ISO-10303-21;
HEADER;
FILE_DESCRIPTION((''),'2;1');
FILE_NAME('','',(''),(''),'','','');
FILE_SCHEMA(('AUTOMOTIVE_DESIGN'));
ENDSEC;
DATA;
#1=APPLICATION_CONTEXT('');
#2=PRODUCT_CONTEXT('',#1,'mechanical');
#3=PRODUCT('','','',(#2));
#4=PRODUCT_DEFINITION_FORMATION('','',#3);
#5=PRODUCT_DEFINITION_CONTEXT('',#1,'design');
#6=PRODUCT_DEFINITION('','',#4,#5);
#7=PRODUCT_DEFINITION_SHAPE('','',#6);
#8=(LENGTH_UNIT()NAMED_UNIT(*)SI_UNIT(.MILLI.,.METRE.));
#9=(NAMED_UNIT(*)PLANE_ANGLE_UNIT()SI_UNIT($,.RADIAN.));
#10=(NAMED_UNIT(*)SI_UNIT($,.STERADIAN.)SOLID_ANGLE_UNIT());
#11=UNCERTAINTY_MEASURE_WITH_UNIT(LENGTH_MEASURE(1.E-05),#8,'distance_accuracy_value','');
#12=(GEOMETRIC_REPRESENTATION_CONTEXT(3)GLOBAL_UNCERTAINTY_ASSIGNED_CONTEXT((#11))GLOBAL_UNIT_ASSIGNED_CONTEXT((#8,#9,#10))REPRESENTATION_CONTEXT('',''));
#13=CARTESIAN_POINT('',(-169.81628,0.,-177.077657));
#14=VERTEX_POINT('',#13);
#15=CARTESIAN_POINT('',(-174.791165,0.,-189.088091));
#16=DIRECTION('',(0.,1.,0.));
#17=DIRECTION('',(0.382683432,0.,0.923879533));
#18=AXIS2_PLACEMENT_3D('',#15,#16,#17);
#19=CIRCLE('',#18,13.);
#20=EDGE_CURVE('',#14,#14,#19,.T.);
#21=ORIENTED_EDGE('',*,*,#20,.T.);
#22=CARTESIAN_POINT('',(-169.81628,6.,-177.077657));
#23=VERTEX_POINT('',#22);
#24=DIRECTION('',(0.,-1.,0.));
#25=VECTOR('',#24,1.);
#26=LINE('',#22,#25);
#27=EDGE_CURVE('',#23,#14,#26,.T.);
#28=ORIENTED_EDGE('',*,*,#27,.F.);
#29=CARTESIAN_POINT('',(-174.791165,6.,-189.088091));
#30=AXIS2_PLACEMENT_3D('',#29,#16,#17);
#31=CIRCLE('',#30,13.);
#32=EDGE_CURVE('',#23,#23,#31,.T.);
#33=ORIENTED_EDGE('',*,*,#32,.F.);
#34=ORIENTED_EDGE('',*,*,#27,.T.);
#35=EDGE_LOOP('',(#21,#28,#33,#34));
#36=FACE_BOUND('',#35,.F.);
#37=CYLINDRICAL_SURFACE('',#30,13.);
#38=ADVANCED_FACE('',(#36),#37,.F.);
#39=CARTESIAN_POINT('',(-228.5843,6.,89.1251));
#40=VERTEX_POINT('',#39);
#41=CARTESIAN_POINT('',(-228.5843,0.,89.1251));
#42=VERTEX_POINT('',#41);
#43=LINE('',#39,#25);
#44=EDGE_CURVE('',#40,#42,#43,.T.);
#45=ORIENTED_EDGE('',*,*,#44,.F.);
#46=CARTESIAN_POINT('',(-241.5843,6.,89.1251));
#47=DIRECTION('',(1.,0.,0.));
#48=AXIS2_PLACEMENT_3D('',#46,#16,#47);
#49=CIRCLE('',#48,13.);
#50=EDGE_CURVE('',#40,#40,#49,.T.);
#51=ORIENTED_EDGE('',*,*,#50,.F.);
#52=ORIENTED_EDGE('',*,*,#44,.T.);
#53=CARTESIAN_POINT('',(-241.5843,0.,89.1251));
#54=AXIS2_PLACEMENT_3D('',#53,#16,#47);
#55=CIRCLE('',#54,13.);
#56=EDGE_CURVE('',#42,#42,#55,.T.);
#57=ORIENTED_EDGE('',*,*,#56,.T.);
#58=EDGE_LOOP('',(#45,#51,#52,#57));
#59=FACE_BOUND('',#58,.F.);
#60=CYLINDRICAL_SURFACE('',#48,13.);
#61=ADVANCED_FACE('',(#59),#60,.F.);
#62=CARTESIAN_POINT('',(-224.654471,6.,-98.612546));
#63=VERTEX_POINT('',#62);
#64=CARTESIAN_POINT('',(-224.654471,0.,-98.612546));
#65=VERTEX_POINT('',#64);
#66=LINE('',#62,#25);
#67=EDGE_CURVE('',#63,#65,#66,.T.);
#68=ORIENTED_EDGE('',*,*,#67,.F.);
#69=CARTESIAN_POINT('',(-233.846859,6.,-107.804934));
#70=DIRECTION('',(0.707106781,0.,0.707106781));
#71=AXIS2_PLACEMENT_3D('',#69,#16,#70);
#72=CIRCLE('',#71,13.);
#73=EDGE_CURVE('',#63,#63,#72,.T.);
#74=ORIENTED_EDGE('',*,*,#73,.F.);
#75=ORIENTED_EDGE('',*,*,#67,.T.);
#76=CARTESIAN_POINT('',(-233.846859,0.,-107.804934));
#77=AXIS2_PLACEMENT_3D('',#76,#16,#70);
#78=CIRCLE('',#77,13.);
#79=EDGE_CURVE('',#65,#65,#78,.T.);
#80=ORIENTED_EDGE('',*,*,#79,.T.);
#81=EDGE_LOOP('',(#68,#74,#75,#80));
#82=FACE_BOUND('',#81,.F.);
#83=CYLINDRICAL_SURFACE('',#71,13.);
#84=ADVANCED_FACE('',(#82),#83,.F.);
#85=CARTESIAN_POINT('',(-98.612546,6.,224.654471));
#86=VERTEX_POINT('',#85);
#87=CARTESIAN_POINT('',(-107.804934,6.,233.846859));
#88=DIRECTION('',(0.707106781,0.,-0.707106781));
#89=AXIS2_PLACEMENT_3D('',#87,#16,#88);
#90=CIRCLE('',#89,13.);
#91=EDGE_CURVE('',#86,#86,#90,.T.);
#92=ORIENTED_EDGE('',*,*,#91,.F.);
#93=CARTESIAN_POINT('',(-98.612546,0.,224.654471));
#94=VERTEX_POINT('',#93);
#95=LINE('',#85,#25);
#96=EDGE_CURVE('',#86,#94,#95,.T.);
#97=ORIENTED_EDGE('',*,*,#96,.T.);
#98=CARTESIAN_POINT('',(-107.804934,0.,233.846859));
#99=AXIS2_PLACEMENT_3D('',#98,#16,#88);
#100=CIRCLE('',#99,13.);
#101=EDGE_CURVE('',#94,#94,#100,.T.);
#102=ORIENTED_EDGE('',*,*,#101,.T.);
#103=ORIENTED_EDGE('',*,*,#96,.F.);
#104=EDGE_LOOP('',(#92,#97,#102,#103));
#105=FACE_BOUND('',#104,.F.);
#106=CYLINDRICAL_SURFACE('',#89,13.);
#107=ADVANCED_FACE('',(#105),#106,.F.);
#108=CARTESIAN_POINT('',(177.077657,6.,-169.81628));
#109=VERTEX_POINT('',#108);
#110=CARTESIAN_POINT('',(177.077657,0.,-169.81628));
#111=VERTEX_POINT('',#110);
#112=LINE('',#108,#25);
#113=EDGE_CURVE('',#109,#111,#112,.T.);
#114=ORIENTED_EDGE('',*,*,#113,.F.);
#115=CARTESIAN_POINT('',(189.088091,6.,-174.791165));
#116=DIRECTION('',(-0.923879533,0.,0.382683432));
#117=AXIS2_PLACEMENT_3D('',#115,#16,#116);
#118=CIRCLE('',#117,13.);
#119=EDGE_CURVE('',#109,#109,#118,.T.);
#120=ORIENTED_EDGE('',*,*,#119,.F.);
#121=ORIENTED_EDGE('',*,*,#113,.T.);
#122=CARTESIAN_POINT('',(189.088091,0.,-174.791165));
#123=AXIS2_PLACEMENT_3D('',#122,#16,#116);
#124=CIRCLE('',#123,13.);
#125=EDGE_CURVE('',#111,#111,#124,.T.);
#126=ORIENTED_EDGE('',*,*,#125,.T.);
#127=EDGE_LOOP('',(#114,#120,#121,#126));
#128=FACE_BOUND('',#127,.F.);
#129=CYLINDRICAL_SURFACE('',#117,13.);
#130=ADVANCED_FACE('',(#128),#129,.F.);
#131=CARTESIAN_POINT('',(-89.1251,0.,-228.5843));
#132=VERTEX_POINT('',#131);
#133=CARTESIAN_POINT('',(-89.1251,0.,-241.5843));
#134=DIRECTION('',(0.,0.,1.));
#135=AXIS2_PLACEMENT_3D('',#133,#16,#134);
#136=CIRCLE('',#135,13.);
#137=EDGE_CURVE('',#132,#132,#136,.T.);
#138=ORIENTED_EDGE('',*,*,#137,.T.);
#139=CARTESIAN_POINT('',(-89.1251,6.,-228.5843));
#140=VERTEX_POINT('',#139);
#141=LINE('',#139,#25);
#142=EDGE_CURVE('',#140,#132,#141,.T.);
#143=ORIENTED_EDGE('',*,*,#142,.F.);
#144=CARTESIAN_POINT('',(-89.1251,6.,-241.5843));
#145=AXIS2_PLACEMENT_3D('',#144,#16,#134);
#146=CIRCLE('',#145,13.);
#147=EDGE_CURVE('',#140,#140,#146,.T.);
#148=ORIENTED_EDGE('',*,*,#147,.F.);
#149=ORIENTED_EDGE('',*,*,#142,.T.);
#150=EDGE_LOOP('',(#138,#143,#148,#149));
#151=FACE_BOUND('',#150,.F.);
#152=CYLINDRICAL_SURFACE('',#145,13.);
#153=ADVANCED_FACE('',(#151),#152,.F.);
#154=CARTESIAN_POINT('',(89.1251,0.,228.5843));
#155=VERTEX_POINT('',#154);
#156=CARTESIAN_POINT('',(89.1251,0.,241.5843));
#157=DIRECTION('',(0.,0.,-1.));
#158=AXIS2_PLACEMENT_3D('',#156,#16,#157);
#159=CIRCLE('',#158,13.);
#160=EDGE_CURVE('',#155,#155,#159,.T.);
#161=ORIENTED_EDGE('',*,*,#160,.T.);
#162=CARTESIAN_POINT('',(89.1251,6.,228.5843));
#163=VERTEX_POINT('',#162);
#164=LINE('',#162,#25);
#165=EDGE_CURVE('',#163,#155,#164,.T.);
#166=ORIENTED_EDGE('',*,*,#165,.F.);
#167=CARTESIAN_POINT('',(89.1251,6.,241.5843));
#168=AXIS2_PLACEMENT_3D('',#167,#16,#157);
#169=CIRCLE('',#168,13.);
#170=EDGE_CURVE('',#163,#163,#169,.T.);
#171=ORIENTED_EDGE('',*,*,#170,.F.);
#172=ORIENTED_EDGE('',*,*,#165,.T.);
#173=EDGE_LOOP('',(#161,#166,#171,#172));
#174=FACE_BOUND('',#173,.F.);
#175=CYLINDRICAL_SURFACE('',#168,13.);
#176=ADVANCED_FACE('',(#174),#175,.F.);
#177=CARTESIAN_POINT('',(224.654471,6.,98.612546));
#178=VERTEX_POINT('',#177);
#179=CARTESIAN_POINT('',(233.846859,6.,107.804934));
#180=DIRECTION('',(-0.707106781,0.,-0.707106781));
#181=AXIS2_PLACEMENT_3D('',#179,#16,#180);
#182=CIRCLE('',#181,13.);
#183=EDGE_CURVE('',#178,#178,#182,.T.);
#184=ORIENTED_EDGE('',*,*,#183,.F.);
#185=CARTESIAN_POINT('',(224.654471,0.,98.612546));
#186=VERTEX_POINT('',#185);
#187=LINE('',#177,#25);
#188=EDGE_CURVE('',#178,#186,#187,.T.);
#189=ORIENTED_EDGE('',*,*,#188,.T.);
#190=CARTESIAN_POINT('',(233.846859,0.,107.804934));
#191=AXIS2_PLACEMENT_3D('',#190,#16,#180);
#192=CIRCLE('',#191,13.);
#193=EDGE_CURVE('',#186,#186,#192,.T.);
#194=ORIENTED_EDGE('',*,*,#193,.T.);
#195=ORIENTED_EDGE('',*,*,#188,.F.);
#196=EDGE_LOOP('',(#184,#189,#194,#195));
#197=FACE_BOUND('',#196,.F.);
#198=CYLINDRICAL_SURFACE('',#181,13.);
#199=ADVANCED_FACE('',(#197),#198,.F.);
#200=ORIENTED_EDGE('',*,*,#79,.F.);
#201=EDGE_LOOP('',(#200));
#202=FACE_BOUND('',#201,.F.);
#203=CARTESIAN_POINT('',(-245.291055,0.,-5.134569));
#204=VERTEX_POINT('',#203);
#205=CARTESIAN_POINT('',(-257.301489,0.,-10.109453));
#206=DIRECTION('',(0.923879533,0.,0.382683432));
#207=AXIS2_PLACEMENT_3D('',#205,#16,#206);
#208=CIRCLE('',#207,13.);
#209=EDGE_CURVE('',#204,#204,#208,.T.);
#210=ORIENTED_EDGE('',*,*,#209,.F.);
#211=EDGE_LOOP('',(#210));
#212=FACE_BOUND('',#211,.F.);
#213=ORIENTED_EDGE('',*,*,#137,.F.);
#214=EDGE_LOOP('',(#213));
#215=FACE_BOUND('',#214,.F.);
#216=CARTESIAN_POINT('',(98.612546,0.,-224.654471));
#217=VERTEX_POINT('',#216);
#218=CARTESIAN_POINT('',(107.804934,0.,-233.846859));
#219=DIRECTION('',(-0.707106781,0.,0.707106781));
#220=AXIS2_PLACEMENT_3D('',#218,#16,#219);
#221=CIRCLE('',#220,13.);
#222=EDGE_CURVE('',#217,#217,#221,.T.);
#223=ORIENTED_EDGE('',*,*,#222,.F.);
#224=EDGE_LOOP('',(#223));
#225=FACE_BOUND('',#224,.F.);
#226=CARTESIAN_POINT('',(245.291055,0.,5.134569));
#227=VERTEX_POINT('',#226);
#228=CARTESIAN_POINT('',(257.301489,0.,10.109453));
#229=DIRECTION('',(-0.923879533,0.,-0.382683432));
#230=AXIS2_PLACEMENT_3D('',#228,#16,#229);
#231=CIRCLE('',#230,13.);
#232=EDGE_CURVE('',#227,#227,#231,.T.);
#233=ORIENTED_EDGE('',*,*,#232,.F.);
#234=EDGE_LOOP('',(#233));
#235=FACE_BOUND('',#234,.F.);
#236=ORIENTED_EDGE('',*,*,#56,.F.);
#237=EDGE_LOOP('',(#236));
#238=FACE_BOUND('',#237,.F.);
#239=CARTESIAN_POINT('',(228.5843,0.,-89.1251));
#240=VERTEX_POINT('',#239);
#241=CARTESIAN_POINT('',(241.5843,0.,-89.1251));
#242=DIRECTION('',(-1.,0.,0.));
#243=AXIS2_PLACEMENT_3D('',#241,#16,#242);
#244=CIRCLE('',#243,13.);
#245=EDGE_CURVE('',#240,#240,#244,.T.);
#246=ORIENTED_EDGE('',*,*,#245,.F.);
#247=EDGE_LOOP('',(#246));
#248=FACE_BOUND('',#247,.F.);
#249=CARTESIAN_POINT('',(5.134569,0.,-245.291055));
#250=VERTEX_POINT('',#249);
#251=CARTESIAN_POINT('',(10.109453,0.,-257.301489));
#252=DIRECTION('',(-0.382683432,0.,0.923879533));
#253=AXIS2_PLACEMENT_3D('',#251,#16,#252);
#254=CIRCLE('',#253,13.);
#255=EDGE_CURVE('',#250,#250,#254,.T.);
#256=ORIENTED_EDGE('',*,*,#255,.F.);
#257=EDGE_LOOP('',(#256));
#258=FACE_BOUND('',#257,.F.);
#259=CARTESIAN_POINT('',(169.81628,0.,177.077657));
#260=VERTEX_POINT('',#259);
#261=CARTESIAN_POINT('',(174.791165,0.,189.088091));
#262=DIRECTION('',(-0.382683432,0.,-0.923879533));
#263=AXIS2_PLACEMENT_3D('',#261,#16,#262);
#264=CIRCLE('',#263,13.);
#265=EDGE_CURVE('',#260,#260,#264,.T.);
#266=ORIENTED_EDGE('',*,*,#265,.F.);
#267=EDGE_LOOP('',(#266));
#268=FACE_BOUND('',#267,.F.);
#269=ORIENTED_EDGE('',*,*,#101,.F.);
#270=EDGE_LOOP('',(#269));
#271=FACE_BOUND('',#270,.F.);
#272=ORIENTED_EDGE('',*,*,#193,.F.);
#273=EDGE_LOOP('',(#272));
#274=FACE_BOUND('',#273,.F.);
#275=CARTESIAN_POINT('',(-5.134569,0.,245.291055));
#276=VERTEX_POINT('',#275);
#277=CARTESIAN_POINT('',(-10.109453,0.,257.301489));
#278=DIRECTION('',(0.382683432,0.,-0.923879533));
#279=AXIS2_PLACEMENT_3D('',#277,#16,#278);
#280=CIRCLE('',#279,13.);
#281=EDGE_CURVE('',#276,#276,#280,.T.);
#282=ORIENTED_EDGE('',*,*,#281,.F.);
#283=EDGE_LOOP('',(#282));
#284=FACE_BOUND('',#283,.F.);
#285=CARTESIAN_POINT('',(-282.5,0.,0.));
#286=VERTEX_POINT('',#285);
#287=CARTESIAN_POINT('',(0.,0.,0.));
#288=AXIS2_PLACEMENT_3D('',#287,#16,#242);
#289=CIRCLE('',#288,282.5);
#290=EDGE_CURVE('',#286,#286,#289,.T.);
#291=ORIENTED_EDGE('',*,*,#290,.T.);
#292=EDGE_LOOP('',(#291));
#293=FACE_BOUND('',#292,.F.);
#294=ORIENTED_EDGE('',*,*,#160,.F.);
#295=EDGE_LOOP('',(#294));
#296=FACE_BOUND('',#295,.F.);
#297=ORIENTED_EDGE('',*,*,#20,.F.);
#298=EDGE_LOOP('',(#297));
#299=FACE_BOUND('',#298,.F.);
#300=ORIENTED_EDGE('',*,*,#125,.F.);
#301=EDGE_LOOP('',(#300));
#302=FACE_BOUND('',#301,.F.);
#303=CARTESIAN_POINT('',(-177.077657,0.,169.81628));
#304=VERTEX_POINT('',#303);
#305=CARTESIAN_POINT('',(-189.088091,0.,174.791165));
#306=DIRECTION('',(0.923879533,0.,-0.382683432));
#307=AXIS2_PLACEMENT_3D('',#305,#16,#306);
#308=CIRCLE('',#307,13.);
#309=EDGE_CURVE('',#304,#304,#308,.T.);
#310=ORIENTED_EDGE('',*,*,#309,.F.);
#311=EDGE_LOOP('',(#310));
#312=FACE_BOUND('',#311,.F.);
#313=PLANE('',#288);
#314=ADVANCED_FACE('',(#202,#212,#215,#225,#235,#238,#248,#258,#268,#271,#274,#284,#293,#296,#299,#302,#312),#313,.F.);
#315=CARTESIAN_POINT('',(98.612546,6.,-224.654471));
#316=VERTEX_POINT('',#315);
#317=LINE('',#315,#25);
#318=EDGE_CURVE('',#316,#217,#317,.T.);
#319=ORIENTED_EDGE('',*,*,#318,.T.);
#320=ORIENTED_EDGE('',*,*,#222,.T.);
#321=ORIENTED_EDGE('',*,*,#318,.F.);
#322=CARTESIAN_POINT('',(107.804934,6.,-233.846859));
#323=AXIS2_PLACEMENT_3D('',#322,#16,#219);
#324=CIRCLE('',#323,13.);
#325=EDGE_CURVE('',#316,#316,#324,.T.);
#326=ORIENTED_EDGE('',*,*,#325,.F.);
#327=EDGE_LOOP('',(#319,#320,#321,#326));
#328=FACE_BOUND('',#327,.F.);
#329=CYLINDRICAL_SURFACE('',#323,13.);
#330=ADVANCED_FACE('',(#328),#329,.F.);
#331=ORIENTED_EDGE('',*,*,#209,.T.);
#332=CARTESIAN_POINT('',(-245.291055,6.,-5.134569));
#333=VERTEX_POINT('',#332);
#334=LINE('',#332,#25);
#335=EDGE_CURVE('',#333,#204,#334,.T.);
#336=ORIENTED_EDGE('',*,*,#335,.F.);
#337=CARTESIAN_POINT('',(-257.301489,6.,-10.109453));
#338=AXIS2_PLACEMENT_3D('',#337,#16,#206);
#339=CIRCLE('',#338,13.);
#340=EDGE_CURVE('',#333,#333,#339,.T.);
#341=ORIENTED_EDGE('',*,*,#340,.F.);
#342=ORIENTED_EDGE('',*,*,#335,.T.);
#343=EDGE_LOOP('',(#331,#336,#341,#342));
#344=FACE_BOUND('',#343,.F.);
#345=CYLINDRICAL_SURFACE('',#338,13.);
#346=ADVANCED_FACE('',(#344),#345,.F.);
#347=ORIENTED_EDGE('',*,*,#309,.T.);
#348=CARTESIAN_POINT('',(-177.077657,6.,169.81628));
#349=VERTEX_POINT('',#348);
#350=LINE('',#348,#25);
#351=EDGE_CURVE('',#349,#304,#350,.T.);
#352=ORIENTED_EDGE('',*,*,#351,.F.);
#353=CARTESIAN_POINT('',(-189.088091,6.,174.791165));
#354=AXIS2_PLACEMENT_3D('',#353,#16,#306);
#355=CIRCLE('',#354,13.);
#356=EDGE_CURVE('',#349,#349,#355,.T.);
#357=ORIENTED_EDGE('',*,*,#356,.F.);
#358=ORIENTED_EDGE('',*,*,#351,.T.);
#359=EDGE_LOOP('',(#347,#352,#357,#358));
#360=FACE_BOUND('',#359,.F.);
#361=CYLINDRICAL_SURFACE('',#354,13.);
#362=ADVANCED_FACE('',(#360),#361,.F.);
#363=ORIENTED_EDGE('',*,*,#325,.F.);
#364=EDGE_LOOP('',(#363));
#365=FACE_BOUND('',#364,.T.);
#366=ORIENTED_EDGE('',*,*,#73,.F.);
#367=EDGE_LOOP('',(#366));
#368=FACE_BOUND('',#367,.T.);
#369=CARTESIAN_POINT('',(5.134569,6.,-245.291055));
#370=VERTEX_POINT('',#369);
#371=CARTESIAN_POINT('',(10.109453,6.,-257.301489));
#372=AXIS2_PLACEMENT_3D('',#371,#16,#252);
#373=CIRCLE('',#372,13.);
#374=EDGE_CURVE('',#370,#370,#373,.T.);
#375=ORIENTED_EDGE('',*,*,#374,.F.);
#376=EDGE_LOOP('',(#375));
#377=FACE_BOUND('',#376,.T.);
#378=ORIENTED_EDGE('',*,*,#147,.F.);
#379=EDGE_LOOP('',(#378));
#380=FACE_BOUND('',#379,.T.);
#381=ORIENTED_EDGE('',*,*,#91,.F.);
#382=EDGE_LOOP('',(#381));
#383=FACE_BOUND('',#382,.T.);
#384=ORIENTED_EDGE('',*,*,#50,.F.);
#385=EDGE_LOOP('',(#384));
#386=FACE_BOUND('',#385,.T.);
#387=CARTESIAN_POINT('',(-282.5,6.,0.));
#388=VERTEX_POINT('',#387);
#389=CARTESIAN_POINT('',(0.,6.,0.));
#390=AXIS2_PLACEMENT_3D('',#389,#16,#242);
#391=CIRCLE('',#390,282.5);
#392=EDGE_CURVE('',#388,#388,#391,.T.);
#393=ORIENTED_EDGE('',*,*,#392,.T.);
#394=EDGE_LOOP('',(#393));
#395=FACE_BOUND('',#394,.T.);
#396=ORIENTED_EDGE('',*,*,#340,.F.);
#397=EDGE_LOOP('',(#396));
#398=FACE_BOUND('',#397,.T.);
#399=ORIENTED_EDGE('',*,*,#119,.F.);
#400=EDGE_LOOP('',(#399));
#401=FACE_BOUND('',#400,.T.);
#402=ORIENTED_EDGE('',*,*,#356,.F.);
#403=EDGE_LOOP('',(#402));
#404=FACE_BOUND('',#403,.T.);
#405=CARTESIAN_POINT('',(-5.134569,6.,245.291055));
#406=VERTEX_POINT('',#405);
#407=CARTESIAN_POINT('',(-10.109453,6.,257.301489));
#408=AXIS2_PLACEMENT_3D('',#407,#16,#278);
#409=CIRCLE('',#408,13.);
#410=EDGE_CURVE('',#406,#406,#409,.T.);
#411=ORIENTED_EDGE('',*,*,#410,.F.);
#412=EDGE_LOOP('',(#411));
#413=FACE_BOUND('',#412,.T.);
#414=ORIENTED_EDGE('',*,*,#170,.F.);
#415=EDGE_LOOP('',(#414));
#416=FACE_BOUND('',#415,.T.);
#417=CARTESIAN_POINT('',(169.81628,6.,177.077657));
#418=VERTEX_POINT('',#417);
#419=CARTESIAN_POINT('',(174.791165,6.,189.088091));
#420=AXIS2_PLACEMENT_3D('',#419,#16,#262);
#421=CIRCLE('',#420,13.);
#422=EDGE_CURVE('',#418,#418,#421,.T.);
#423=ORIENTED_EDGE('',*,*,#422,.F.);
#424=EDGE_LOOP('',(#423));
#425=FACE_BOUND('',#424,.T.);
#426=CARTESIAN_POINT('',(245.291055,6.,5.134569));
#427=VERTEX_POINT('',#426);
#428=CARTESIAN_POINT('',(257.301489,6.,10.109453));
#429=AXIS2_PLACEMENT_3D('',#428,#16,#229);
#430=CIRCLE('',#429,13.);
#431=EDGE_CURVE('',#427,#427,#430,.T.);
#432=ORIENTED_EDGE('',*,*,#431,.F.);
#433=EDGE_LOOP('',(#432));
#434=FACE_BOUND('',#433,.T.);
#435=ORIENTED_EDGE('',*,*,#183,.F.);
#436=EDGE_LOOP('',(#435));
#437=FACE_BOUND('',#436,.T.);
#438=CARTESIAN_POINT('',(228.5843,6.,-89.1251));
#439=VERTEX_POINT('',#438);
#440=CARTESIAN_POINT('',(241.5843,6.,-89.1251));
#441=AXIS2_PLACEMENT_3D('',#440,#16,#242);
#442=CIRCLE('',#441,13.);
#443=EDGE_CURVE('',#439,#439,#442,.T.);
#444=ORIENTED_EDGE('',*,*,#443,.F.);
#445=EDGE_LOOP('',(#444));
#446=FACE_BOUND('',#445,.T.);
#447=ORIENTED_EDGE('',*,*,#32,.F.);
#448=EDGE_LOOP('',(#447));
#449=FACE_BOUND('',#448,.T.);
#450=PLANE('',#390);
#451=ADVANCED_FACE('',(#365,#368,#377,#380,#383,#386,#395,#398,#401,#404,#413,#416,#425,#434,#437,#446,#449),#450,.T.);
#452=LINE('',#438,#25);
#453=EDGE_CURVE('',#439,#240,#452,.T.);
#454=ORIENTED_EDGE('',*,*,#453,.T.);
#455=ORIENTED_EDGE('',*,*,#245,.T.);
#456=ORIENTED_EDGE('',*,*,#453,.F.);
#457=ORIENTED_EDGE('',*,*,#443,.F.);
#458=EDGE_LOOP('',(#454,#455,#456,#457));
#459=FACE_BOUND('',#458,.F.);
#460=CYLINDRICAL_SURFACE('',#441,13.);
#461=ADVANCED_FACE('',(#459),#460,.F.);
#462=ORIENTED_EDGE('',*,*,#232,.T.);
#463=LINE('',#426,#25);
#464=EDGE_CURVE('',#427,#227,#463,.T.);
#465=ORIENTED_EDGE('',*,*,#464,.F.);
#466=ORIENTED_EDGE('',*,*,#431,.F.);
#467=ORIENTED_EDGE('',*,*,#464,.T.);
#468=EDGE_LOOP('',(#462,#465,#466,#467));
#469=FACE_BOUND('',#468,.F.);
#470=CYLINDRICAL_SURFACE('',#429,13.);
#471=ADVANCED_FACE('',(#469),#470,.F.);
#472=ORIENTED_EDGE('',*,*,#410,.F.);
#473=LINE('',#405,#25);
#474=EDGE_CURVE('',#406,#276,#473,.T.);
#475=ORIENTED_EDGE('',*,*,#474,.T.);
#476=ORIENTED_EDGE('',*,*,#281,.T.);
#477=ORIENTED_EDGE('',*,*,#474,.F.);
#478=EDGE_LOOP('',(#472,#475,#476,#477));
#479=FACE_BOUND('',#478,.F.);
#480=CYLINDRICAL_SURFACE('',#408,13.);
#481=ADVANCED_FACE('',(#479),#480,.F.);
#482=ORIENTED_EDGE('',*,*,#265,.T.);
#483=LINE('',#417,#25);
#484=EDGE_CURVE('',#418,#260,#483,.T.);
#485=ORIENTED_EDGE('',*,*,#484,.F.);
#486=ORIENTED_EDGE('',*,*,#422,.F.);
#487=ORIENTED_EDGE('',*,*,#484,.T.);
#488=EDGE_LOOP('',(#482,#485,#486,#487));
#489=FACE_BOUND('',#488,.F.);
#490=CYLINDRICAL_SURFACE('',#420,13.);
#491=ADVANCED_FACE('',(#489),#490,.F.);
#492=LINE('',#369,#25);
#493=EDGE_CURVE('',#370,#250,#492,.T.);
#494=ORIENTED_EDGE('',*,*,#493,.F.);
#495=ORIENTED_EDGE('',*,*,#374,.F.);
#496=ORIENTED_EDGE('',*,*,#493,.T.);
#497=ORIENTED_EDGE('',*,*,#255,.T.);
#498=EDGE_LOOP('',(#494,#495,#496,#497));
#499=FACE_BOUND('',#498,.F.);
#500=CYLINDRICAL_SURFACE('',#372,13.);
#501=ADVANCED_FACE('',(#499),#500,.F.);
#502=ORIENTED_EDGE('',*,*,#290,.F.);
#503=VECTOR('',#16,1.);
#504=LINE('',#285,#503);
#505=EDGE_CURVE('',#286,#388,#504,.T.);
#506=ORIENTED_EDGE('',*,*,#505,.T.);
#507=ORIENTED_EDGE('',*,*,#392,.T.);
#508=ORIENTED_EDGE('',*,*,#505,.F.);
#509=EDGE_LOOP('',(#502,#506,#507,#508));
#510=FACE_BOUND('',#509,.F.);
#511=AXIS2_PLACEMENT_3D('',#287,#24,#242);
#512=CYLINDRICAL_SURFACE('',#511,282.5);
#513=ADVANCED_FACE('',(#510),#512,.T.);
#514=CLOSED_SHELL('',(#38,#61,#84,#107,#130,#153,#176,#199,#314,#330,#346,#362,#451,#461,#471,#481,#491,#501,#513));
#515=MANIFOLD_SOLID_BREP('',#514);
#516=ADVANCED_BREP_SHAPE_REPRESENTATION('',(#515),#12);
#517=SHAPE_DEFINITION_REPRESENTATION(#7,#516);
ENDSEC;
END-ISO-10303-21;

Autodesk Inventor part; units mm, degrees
ref_plane "YZ Plane" through (0, 0, 0) normal (1, 0, 0) x (0, 1, 0)
ref_plane "XZ Plane" through (0, 0, 0) normal (0, 1, 0) x (-1, 0, 0)
ref_plane "XY Plane" through (0, 0, 0) normal (0, 0, 1) x (1, 0, 0)
sketch "Sketch1" plane through (0, 0, 0) normal (0, 1, 0) x (-1, 0, 0)
  circle A0 centre (0, 0) radius 282.5
  dimension "d0" = 565
extrude "Extrusion1" add sketch "Sketch1" along normal blind 6
sketch "Sketch2" plane through (0, 6, 0) normal (0, 1, 0) x (1, 0, 0)
  circle A0 centre (0, 0) radius 257.5 construction
  line L0 (0, 0) -> (-257.5, 0)
  line L1 (0, 0) -> (-241.5843, -89.1251) construction
  circle A1 centre (-241.5843, -89.1251) radius 13
  dimension "d4" = 515
  dimension "d15" = 20.25
  dimension "d16" = 26
extrude "Cut1" cut sketch "Sketch2" against normal through all
pattern_circular "Circular Pattern1" count 16 over 360 about axis through (0, 0, 0) along (0, 1, 0) of "Cut1"
equation "\"d6\" = Thickness"
equation "\"BendRadius\" = Thickness"
equation "\"BendReliefWidth\" = Thickness"
equation "\"BendReliefDepth\" = 0.5 * Thickness"
equation "\"CornerReliefSize\" = 4 * Thickness"
equation "\"MinimumRemnant\" = 2 * Thickness"
equation "\"TransitionRadius\" = BendRadius"
equation "\"JacobiRadiusSize\" = BendRadius"
equation "\"GapSize\" = Thickness"
equation "\"d5\" = Thickness"
equation "\"Thickness\" = 6"
properties part number "TZS 1212 charging hatch 500 mm" material "Steel"
